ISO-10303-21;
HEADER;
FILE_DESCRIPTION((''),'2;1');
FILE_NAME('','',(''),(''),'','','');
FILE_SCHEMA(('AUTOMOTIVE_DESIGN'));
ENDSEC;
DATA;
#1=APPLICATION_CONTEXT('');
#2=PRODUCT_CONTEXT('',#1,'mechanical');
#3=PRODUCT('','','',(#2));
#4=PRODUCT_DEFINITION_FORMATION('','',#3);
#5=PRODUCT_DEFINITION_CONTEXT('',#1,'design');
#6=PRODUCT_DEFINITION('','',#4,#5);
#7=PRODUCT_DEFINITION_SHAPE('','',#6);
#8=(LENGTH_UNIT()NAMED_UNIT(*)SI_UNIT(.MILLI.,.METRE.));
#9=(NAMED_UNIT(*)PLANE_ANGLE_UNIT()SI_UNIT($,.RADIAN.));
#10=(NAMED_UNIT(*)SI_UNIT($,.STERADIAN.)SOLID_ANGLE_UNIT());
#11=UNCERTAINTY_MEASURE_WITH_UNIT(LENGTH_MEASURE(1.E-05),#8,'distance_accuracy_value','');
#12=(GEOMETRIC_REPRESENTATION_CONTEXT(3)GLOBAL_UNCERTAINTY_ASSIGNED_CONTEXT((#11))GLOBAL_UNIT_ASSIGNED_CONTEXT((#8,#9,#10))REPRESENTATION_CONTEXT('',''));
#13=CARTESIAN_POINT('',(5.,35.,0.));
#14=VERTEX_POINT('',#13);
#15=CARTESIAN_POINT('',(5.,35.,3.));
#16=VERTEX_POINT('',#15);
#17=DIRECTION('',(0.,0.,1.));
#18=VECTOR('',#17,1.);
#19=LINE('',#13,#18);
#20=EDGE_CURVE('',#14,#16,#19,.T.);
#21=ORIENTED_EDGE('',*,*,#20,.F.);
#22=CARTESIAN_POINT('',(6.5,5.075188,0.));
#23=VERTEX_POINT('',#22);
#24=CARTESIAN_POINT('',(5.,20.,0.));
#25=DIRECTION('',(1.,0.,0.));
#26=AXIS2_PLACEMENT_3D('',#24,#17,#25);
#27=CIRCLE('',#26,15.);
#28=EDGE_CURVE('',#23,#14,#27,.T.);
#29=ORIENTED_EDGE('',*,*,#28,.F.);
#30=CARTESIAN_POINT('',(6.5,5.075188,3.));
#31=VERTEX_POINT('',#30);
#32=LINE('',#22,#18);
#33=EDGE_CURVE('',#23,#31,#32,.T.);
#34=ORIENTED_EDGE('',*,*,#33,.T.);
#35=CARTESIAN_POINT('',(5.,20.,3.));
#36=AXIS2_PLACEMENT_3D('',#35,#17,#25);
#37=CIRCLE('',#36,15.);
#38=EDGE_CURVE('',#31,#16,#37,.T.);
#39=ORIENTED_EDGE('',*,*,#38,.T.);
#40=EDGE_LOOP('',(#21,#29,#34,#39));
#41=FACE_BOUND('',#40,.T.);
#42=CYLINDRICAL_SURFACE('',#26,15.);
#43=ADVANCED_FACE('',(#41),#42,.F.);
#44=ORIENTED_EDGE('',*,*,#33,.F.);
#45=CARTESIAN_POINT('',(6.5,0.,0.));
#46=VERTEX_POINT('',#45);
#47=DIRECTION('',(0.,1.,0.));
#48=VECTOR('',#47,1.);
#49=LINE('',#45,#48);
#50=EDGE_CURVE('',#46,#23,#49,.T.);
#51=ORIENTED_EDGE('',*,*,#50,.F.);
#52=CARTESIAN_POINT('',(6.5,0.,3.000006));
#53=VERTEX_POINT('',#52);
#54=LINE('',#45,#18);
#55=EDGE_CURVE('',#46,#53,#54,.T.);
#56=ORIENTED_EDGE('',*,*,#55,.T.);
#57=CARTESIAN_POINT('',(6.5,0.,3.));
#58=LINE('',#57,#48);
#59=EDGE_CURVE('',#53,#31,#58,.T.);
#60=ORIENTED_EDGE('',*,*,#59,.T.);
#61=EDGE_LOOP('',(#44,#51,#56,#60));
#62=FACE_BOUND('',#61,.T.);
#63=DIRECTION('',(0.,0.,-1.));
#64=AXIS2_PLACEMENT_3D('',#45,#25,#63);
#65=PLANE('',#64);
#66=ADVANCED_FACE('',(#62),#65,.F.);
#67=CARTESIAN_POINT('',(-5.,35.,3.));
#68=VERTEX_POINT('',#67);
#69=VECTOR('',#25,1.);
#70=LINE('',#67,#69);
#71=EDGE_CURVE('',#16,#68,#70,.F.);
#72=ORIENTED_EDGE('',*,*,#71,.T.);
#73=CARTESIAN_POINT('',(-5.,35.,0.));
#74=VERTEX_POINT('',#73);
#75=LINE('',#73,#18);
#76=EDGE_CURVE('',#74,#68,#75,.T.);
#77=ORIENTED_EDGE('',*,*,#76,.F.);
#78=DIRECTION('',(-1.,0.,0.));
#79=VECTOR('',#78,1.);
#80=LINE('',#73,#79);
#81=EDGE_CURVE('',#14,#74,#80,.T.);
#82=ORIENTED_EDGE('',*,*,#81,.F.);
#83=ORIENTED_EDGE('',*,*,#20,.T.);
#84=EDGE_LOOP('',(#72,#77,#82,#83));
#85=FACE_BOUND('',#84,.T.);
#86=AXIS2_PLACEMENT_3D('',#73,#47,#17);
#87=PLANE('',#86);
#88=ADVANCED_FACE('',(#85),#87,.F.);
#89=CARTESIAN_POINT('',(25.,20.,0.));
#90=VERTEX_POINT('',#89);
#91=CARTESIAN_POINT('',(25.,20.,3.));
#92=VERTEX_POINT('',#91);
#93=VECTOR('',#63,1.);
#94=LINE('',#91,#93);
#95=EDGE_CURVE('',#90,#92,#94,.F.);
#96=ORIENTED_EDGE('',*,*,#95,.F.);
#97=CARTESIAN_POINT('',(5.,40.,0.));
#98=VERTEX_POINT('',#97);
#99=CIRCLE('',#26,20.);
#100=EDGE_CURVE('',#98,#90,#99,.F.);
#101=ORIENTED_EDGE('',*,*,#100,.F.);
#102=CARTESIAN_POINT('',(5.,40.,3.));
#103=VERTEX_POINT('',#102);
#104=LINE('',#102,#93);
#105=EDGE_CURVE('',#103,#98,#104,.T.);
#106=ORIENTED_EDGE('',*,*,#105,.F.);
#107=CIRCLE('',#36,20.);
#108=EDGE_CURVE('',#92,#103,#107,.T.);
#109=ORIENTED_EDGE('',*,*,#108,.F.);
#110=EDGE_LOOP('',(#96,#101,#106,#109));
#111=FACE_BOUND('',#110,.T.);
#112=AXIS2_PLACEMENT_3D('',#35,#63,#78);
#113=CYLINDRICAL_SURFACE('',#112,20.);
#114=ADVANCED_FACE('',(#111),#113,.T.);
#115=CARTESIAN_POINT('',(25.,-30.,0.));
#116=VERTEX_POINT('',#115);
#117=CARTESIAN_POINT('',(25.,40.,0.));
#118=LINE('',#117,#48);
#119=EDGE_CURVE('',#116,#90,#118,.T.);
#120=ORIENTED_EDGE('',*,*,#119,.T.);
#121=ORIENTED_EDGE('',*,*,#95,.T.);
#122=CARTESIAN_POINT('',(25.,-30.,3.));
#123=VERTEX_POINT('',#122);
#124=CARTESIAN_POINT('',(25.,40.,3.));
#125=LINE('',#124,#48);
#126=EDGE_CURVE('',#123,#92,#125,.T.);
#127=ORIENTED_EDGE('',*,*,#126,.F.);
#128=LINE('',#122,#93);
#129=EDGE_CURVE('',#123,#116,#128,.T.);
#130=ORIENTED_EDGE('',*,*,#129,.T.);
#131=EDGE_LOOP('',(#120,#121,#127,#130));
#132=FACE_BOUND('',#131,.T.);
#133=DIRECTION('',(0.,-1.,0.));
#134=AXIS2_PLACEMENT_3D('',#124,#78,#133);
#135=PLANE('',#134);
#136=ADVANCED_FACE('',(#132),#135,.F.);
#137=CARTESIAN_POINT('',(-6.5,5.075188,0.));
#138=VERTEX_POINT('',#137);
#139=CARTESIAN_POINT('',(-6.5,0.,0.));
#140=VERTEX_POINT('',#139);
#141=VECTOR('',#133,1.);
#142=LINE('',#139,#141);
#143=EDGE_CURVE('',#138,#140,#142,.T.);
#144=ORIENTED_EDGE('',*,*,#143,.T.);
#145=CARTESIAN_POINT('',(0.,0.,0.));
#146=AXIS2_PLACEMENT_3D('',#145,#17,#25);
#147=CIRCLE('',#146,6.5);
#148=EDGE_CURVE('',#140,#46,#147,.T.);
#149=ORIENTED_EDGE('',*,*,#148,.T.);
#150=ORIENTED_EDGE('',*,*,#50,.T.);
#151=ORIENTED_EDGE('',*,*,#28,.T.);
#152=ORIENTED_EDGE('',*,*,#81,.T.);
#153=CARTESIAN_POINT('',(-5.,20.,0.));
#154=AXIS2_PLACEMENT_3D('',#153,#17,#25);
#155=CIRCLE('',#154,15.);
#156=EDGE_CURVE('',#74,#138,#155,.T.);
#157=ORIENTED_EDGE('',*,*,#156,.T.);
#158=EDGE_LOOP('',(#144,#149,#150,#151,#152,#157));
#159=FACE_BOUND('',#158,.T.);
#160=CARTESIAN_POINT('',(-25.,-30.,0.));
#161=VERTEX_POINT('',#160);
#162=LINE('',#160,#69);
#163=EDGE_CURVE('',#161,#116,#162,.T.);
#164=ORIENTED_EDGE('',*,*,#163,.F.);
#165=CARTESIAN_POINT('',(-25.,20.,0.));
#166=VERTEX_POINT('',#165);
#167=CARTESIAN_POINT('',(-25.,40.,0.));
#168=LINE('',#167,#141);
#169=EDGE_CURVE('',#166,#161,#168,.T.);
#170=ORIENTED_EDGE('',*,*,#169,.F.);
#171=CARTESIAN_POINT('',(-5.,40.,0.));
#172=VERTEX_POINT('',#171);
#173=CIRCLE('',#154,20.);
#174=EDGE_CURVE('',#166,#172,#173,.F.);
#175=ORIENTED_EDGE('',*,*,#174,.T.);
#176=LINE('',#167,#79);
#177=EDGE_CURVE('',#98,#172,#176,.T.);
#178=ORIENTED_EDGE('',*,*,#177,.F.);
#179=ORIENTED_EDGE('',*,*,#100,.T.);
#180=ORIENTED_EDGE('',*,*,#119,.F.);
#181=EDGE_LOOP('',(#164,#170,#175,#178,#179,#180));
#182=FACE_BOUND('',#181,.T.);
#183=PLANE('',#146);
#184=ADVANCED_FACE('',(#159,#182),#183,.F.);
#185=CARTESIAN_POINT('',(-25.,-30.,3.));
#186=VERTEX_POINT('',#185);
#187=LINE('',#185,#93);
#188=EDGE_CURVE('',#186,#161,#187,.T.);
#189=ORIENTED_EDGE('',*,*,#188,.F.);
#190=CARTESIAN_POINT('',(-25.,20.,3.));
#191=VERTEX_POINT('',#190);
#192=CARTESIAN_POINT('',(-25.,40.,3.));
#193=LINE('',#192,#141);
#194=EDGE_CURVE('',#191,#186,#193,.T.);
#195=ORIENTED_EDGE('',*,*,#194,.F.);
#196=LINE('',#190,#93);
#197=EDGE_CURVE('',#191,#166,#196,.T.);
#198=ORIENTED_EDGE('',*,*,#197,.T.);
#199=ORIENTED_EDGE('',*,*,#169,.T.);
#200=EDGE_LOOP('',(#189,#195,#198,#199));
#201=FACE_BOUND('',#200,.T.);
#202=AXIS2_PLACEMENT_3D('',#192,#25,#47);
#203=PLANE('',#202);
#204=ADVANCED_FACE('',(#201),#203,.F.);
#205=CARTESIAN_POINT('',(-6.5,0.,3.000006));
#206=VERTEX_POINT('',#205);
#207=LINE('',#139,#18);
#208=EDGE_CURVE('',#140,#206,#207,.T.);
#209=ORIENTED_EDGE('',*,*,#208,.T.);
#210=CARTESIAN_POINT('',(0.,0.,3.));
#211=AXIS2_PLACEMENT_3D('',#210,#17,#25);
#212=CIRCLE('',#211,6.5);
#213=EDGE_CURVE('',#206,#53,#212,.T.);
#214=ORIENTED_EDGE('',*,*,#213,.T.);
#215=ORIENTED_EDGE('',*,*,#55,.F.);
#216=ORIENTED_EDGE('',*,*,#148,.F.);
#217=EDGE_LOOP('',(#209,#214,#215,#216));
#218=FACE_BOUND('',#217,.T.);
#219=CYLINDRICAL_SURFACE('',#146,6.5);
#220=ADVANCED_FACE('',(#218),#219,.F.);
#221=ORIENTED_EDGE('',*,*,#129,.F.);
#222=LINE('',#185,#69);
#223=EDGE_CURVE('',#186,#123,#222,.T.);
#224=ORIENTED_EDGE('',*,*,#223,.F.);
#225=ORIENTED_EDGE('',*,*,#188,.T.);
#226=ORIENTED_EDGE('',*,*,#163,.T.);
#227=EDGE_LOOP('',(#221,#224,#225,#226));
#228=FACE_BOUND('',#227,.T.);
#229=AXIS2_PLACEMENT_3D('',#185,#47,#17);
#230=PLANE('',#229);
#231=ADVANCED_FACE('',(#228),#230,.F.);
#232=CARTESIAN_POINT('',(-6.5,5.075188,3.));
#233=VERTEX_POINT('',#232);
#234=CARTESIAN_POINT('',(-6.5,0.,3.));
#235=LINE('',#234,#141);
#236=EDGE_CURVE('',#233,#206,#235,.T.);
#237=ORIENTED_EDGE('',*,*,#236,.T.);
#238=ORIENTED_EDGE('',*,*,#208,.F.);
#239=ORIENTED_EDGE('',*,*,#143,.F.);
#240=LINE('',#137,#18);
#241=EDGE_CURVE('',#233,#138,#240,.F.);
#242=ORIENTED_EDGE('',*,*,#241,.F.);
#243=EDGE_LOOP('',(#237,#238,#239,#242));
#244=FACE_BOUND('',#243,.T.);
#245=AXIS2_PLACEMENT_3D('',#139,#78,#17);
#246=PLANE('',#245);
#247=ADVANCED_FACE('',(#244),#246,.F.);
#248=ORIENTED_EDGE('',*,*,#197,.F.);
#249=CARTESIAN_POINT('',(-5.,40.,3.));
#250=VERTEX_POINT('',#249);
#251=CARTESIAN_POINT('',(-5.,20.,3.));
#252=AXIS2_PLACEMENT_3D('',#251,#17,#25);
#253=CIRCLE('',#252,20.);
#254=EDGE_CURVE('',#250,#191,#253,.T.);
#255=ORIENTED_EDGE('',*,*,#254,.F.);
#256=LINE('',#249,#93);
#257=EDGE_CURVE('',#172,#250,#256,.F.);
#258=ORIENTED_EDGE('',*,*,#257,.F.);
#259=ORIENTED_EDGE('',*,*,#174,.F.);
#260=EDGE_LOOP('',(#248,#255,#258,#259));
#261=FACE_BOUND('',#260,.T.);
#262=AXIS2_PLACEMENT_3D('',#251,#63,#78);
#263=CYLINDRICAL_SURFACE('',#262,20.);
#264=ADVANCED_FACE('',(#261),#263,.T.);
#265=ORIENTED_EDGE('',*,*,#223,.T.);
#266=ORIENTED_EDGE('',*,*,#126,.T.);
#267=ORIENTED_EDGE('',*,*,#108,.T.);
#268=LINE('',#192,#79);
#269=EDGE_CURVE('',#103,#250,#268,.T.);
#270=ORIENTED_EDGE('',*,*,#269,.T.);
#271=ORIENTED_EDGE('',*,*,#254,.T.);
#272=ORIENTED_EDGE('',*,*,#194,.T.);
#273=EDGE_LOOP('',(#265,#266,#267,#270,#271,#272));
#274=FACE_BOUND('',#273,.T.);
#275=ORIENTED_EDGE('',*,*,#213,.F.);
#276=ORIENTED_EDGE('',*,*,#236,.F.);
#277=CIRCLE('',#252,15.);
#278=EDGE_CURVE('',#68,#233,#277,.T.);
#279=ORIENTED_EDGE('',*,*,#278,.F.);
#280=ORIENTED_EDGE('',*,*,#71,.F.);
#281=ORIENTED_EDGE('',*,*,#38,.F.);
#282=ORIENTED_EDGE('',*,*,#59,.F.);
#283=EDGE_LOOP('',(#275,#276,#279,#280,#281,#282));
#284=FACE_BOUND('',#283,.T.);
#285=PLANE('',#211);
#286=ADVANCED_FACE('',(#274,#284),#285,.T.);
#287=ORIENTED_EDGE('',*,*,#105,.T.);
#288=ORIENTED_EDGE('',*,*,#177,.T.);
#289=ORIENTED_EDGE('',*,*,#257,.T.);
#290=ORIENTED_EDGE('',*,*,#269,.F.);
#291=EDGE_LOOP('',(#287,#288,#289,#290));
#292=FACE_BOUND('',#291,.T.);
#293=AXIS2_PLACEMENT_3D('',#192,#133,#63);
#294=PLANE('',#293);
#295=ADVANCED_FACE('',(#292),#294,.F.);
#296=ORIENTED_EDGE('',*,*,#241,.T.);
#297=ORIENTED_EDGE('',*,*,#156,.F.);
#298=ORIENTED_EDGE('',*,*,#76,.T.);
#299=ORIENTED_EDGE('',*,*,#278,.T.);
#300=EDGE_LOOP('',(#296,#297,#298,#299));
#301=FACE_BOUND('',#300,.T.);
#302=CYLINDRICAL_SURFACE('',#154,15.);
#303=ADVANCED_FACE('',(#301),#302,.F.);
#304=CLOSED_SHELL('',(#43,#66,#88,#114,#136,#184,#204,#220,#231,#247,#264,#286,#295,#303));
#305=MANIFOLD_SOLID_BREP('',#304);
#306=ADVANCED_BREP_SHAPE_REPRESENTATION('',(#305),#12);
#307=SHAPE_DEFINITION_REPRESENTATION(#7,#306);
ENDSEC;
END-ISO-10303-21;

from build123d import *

# Parameters (mm, degrees)
SKETCH1_W               = 50
SKETCH1_H               = 70
BOSS_EXTRUDE1_DEPTH     = 3
SKETCH2_R               = 6.5
CUT_EXTRUDE1_DEPTH      = 1
CUT_EXTRUDE1_DEPTH_BACK = 4
CUT_EXTRUDE2_DEPTH      = 1
CUT_EXTRUDE2_DEPTH_BACK = 4
SKETCH4_W               = 13
SKETCH4_H               = 15
CUT_EXTRUDE3_DEPTH      = 1
CUT_EXTRUDE3_DEPTH_BACK = 4
FILLET1_R               = 20


with BuildPart() as part:
    # Sketch1 → Boss-Extrude1 (new body)
    with BuildSketch(Plane.XY):
        with Locations((0, 5)):
            Rectangle(SKETCH1_W, SKETCH1_H)
    extrude(amount=BOSS_EXTRUDE1_DEPTH)

    # Sketch2 → Cut-Extrude1 (cut, two sides)
    with BuildSketch(Plane.XY.offset(3)) as cut_extrude1_sk:
        Circle(SKETCH2_R)
    extrude(amount=CUT_EXTRUDE1_DEPTH, mode=Mode.SUBTRACT)
    extrude(cut_extrude1_sk.sketch, amount=-CUT_EXTRUDE1_DEPTH_BACK, mode=Mode.SUBTRACT)

    # Sketch3 → Cut-Extrude2 (cut, two sides)
    with BuildSketch(Plane.XY.offset(3)) as cut_extrude2_sk:
        with BuildLine():
            Line((-5, 35), (5, 35))
            ThreePointArc((5, 35), (20, 20), (5, 5))
            Line((5, 5), (-5, 5))
            ThreePointArc((-5, 5), (-20, 20), (-5, 35))
        make_face()
    extrude(amount=CUT_EXTRUDE2_DEPTH, mode=Mode.SUBTRACT)
    extrude(cut_extrude2_sk.sketch, amount=-CUT_EXTRUDE2_DEPTH_BACK, mode=Mode.SUBTRACT)

    # Sketch4 → Cut-Extrude3 (cut, two sides)
    with BuildSketch(Plane.XY.offset(3)) as cut_extrude3_sk:
        with Locations((0, 7.5)):
            Rectangle(SKETCH4_W, SKETCH4_H)
    extrude(amount=CUT_EXTRUDE3_DEPTH, mode=Mode.SUBTRACT)
    extrude(cut_extrude3_sk.sketch, amount=-CUT_EXTRUDE3_DEPTH_BACK, mode=Mode.SUBTRACT)

    # Fillet1
    fillet1_edges = [part.edges().sort_by_distance(p)[0] for p in [
        (-25, 40, 1.5),
        (25, 40, 1.5),
    ]]
    fillet(fillet1_edges, radius=FILLET1_R)


solid = part.part
